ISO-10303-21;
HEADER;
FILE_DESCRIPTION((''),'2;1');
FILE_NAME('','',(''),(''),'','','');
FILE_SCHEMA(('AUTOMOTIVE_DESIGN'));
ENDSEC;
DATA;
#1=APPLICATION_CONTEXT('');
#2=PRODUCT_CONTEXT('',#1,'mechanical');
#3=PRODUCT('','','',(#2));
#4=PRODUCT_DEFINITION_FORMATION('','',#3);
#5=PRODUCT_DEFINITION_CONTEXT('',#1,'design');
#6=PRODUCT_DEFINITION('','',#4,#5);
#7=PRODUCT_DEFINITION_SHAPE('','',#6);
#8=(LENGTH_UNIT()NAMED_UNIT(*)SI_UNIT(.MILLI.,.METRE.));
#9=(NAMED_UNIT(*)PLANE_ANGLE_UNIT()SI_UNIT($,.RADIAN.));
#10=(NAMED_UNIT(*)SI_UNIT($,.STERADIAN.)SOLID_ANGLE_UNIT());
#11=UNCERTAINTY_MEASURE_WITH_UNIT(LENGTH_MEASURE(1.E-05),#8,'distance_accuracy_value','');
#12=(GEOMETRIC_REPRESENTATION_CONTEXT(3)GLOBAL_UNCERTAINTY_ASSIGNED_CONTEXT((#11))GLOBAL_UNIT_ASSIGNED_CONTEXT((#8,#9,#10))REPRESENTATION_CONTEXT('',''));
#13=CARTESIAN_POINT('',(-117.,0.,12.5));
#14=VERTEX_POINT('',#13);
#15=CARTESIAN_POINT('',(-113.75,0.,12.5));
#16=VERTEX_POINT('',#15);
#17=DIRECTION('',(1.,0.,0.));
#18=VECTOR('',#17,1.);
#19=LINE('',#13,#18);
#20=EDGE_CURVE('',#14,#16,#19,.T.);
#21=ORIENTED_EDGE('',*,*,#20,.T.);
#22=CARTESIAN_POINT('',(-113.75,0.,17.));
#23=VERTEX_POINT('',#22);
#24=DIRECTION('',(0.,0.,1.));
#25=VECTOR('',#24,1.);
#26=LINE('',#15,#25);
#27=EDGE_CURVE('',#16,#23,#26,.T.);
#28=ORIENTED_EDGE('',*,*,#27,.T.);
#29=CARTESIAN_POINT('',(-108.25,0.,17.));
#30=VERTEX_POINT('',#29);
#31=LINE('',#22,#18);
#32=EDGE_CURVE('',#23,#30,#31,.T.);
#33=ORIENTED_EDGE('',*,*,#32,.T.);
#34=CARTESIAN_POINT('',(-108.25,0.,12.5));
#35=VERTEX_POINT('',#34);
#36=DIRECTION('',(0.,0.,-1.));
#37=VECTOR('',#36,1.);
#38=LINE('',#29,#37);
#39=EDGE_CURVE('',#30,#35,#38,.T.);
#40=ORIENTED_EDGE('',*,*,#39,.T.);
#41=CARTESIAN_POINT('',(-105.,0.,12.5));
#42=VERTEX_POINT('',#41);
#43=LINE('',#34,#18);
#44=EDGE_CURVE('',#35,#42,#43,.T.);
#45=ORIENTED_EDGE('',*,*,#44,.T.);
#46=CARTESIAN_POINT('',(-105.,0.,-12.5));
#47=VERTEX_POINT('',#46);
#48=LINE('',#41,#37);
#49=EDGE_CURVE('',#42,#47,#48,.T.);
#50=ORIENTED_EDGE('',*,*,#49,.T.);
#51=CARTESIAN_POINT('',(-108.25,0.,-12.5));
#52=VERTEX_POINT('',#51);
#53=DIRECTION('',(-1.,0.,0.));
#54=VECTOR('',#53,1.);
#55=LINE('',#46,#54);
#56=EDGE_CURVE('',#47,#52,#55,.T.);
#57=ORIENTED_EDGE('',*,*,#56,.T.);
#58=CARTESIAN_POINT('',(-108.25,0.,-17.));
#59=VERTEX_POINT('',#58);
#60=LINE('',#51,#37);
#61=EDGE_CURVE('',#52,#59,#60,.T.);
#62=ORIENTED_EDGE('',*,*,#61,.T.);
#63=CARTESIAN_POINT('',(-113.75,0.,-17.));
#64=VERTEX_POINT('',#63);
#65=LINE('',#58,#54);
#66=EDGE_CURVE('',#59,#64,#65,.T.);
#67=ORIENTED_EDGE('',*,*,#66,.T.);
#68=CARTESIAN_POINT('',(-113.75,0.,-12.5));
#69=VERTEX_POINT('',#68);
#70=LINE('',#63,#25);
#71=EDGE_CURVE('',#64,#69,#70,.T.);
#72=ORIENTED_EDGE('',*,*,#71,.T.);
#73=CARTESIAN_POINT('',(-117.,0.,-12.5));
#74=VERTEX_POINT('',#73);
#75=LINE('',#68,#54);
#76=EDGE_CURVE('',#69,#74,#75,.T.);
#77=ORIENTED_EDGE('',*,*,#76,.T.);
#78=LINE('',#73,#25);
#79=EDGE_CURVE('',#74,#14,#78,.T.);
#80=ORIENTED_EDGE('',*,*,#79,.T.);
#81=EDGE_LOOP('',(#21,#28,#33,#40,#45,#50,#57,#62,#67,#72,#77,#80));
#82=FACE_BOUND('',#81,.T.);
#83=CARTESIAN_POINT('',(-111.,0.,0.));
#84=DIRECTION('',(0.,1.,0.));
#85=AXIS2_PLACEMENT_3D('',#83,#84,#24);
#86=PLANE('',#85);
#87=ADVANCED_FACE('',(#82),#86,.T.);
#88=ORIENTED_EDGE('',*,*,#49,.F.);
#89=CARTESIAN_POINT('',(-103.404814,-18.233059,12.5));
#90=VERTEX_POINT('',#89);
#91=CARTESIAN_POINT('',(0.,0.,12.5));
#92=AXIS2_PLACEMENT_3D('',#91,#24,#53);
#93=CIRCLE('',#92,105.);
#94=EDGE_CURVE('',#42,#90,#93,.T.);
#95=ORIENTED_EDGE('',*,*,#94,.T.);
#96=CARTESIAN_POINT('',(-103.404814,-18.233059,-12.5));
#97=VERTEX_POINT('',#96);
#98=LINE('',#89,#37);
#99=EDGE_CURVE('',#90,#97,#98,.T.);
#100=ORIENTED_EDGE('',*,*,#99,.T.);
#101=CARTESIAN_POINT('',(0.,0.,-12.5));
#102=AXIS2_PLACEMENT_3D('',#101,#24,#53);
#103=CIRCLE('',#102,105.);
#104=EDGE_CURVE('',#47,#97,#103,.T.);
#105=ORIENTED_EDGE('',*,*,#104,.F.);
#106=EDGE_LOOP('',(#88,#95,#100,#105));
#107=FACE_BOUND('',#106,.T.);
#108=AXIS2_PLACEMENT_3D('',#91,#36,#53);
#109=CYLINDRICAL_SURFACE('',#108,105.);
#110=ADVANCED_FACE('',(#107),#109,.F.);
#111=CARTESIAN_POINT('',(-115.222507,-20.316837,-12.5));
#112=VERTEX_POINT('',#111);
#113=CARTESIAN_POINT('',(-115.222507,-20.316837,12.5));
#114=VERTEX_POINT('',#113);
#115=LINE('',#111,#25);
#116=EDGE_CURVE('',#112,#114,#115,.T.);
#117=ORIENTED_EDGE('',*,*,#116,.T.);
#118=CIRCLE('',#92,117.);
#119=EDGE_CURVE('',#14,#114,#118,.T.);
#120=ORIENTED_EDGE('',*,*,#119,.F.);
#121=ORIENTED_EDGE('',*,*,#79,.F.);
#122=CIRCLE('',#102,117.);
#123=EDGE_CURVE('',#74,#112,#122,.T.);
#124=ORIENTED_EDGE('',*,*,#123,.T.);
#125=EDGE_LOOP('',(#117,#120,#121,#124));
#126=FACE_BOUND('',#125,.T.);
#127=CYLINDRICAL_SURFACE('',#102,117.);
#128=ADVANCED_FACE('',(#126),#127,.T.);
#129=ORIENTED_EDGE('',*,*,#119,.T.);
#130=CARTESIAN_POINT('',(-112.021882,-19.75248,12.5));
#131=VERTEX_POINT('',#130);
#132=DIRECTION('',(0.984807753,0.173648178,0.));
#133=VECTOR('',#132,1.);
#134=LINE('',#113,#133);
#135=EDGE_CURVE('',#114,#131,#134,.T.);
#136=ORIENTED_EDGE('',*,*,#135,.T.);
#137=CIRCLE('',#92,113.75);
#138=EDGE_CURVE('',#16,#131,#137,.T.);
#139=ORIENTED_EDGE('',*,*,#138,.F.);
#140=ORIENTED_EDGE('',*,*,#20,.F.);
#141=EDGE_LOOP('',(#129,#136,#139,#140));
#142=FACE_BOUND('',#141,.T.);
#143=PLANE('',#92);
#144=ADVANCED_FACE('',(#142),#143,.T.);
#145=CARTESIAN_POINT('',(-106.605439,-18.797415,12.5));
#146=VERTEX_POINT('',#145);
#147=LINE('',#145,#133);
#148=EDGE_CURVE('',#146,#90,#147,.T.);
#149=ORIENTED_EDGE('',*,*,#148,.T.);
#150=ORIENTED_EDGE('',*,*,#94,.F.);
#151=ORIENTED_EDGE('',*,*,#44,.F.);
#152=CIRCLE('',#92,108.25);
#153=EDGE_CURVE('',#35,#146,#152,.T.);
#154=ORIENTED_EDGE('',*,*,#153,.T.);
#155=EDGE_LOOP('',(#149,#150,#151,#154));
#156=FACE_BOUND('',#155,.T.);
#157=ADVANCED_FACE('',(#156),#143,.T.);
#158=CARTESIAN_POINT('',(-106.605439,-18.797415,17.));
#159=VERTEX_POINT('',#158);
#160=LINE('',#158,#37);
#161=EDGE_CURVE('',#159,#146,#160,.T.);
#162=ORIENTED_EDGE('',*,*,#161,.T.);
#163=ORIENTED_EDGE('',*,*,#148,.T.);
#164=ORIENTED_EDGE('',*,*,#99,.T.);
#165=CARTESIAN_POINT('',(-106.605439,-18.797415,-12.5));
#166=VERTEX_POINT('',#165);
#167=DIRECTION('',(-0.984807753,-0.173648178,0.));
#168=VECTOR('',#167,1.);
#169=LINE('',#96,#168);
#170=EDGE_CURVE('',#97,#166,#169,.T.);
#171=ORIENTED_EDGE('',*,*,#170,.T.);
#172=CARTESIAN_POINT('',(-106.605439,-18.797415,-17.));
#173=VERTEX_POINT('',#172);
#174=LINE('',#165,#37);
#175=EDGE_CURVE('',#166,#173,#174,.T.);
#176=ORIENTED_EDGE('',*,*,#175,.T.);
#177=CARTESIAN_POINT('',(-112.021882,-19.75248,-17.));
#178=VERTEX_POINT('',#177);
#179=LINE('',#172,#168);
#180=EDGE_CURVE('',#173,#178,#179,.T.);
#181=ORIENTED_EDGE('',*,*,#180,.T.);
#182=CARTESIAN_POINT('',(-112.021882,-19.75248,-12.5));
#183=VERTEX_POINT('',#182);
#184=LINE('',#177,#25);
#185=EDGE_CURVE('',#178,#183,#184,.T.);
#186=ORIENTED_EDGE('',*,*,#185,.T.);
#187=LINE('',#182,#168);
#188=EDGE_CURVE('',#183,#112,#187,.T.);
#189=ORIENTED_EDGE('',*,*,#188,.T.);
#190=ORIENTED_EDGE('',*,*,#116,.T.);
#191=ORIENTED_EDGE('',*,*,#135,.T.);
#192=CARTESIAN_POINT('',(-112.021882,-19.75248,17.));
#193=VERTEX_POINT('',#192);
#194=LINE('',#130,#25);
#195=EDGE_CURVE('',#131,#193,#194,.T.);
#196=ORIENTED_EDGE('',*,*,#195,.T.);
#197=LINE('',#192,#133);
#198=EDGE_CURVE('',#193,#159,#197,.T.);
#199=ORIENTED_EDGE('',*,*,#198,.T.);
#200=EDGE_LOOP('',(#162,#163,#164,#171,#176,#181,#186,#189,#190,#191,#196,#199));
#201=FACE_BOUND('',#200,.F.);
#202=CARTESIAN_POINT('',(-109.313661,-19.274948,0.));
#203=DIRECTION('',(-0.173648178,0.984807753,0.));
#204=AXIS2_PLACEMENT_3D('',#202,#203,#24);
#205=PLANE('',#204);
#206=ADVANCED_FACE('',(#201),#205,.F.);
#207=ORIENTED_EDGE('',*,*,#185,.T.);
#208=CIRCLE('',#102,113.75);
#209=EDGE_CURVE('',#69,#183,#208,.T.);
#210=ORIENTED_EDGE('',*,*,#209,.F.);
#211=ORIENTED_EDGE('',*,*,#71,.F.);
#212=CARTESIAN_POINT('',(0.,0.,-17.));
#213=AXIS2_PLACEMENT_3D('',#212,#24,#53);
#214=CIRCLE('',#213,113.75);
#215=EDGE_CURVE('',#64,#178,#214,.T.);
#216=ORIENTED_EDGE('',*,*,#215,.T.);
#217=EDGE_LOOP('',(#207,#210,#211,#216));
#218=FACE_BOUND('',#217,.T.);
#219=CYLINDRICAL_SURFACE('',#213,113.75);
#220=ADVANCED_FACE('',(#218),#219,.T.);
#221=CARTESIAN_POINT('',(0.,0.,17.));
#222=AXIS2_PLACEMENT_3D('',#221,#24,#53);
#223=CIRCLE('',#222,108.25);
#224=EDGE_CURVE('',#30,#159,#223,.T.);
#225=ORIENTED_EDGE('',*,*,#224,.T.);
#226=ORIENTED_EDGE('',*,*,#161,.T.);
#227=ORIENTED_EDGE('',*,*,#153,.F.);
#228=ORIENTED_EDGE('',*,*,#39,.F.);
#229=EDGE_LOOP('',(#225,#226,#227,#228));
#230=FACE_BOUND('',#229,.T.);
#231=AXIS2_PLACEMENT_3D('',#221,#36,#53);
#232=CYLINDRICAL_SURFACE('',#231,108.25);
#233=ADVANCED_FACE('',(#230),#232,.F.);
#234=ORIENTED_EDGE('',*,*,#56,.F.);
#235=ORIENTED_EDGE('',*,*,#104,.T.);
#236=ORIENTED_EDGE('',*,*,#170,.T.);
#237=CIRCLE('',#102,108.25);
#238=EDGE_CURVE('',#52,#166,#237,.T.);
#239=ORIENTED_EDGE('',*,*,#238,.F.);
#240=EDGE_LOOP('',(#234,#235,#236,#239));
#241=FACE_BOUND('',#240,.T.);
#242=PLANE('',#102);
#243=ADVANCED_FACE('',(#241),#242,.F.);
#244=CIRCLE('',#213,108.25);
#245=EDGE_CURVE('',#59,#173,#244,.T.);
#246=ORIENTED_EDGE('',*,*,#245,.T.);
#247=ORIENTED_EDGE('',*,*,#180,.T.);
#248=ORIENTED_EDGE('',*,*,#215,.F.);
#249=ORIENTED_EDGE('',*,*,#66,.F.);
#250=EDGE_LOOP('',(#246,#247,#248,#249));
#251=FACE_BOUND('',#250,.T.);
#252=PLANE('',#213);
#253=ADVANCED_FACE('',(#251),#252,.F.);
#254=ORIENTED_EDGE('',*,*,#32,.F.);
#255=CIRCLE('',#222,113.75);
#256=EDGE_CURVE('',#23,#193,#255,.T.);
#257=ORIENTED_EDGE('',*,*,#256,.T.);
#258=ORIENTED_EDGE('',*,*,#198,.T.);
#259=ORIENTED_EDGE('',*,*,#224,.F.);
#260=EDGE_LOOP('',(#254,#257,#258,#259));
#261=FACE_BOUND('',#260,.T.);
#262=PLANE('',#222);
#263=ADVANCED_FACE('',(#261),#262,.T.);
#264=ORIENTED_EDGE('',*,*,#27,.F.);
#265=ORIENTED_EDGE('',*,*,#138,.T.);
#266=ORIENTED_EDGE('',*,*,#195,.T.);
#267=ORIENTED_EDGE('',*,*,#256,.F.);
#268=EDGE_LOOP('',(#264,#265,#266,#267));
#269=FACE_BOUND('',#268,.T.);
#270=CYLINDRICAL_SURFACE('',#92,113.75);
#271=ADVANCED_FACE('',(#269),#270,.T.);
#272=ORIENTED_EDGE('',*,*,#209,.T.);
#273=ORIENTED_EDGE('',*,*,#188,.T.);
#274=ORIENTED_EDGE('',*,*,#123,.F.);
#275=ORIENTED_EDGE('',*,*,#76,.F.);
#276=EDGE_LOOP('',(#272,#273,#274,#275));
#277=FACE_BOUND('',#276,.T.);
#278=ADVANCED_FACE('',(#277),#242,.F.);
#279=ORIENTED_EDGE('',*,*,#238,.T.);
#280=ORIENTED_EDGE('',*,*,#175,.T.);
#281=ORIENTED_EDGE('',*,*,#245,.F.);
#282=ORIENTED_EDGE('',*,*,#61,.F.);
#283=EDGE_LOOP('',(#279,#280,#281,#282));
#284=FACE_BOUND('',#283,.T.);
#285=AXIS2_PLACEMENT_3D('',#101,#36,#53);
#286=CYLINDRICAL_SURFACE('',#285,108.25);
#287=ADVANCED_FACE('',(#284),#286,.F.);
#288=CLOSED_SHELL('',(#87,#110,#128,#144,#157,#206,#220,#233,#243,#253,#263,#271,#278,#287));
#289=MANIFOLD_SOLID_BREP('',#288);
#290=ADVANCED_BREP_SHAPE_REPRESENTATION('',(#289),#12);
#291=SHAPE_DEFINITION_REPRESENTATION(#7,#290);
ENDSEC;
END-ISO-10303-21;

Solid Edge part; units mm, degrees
sketch "Sketch1" plane through (0, 0, 0) normal (0, -1, 0) x (1, 0, 0)
  line L0 (-117, 12.5) -> (-113.75, 12.5)
  line L1 (-113.75, 12.5) -> (-113.75, 17)
  line L2 (-113.75, 17) -> (-108.25, 17)
  line L3 (-108.25, 17) -> (-108.25, 12.5)
  line L4 (-108.25, 12.5) -> (-105, 12.5)
  line L5 (-105, 12.5) -> (-105, -12.5)
  line L6 (-105, -12.5) -> (-108.25, -12.5)
  line L7 (-108.25, -12.5) -> (-108.25, -17)
  line L8 (-108.25, -17) -> (-113.75, -17)
  line L9 (-113.75, -17) -> (-113.75, -12.5)
  line L10 (-113.75, -12.5) -> (-117, -12.5)
  line L11 (-117, -12.5) -> (-117, 12.5)
  dimension "D1" = 25
  dimension "D2" = 25
  dimension "D3" = 4.5
  dimension "D4" = 4.5
  dimension "D5" = 4.5
  dimension "D6" = 4.5
  dimension "D7" = 5.5
  dimension "D8" = 5.5
  dimension "D9" = 12
  dimension "D10" = 3.25
  dimension "D11" = 3.25
  dimension "D12" = 3.25
  dimension "D13" = 4.5
  dimension "D14" = 3.25
  dimension "D15" = 105
revolve "RevolvedProtrusion1" add sketch "Sketch1" angle 10 about axis through (0, 0, 54) along (0, 0, 1)
properties material "ABS Plastic, high impact"
